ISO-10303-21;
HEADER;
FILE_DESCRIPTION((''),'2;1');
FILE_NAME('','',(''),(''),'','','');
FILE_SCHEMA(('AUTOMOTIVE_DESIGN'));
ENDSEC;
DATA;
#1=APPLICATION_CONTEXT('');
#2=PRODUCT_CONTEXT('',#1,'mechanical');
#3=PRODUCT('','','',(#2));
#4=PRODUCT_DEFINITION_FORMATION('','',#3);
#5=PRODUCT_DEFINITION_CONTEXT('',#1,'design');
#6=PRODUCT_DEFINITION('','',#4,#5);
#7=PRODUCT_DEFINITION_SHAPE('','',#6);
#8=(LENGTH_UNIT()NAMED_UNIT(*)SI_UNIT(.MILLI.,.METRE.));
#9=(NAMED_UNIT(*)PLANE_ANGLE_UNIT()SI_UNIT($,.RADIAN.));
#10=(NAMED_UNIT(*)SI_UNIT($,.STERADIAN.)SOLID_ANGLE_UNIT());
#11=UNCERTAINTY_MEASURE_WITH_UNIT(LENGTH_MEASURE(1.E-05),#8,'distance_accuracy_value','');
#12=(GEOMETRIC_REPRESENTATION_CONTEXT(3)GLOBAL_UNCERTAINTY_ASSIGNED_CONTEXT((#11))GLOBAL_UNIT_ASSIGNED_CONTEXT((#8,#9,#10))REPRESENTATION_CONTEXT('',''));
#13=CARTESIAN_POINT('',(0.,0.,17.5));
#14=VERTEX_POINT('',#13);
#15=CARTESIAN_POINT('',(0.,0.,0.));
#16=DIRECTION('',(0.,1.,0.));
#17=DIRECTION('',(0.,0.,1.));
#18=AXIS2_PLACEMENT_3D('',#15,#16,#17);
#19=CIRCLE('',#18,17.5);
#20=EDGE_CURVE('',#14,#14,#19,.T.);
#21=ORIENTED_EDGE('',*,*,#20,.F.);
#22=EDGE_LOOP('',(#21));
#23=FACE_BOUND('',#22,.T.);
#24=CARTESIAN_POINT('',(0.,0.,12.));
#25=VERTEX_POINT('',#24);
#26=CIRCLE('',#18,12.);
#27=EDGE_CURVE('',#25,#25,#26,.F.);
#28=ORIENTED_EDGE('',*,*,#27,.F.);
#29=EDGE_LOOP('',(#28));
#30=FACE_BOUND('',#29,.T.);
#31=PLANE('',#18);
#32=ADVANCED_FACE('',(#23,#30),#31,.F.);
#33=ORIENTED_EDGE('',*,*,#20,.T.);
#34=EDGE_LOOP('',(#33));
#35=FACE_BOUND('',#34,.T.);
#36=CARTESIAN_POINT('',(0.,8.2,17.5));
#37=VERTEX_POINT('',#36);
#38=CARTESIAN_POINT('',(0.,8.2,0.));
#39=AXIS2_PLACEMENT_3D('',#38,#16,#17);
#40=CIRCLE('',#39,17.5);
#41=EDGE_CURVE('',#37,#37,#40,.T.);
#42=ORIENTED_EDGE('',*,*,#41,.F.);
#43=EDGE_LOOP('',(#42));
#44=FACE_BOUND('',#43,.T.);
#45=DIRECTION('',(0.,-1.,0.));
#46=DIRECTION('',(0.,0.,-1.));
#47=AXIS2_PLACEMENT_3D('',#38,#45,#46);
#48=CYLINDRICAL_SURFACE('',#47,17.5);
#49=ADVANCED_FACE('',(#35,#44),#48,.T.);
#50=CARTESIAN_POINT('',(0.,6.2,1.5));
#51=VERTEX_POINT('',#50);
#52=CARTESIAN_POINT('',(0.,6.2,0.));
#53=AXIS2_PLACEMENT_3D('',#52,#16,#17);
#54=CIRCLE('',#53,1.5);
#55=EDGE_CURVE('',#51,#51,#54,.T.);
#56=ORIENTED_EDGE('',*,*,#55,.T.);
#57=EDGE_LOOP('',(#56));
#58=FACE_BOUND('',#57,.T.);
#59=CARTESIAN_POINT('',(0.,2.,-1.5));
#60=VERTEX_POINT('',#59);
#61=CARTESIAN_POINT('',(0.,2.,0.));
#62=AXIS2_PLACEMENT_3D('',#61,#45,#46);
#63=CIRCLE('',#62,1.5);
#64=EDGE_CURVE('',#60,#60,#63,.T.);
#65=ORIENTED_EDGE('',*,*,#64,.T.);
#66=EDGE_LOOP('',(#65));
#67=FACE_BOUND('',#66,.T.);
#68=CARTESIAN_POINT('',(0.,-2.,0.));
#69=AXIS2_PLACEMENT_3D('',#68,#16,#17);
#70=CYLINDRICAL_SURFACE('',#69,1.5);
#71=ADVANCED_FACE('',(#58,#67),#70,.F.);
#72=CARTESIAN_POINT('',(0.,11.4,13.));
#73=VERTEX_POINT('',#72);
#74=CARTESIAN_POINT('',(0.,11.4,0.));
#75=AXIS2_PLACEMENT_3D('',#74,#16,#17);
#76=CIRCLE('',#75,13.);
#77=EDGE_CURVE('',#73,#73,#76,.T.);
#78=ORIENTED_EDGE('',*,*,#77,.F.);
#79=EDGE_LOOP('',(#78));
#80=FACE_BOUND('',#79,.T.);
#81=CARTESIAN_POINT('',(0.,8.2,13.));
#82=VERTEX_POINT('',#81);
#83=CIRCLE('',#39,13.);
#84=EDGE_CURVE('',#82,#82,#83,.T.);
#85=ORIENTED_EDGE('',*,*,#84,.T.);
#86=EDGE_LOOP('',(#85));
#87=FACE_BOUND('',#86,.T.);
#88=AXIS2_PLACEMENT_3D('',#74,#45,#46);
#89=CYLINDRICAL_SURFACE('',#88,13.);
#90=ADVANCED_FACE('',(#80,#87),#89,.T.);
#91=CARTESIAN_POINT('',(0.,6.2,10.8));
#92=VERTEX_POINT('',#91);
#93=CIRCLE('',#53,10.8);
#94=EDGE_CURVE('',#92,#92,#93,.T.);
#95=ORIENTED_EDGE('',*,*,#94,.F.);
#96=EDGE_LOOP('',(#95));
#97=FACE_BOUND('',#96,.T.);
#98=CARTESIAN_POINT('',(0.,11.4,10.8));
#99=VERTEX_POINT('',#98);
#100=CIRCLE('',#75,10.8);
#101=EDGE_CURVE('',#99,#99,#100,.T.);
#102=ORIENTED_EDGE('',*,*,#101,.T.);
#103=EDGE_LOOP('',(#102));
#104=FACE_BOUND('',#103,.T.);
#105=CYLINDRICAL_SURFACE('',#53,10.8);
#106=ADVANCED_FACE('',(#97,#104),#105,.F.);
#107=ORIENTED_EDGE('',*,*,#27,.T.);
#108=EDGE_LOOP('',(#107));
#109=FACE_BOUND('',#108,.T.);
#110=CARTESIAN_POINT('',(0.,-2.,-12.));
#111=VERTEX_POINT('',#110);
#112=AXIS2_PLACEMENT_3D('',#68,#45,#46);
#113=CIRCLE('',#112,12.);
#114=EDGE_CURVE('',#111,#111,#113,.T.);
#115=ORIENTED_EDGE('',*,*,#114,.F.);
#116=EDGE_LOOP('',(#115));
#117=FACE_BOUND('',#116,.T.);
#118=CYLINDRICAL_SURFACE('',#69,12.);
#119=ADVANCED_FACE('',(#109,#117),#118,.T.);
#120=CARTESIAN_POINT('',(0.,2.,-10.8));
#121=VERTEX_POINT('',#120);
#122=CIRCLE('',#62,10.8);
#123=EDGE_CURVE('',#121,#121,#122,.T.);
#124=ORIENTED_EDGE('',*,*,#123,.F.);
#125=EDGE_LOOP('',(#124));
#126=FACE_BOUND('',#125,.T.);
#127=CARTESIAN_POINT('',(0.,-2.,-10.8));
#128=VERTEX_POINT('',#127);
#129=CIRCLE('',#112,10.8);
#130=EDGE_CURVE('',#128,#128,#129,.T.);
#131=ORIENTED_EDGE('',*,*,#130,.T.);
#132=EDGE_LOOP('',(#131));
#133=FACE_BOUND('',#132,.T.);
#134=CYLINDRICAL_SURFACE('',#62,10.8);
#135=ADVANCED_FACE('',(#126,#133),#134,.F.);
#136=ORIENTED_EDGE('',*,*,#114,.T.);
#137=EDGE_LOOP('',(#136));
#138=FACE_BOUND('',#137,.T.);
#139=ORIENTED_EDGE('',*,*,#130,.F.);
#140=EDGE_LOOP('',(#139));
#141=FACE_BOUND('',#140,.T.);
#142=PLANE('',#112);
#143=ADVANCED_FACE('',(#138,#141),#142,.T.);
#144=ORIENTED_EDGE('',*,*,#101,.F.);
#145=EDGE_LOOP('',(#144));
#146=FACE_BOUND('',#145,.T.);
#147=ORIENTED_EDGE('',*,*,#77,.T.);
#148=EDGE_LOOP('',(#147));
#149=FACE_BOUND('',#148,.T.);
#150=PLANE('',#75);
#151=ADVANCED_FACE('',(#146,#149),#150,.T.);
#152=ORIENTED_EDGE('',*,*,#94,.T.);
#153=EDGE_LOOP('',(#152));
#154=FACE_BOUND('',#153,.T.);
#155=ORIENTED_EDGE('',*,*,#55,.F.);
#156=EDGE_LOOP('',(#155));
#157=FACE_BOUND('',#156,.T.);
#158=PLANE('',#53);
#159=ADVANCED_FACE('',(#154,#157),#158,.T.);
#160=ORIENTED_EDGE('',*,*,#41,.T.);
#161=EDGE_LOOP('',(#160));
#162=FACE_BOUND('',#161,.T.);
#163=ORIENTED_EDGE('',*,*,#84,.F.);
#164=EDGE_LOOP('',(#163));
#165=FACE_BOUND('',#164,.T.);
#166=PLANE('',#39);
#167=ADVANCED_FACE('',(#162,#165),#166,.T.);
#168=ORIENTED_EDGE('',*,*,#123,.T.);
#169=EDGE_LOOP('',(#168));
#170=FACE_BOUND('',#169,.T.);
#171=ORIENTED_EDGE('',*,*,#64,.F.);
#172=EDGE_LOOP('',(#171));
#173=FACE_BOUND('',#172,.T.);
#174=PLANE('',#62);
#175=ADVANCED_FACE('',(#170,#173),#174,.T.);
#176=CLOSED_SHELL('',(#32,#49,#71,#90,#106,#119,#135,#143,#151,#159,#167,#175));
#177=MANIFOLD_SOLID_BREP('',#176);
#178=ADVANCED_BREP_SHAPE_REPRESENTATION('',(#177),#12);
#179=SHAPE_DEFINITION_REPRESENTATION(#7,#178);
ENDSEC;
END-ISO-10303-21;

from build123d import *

# Parameters (mm, degrees)
SKETCH1_R           = 17.5
BOSS_EXTRUDE1_DEPTH = 8.2
SKETCH6_R           = 12
BOSS_EXTRUDE4_DEPTH = 2
SKETCH3_R           = 13
BOSS_EXTRUDE5_DEPTH = 3.2
SKETCH7_R           = 10.8
CUT_EXTRUDE3_DEPTH  = 4
CUT_EXTRUDE4_START  = -5.2
SKETCH8_R           = 10.8
CUT_EXTRUDE4_DEPTH  = 5.2
SKETCH9_R           = 1.5
CUT_EXTRUDE5_DEPTH  = 27.071823872


with BuildPart() as part:
    # Sketch1 → Boss-Extrude1 (new body)
    with BuildSketch(Plane(origin=(0, 0, 0), x_dir=(1, 0, 0), z_dir=(0, 1, 0))):
        with Locations(Location((0, 0, 0), (0, 0, 270))):
            Circle(SKETCH1_R)
    extrude(amount=BOSS_EXTRUDE1_DEPTH)

    # Sketch6 → Boss-Extrude4 (add)
    with BuildSketch(Plane.XZ):
        with Locations(Location((0, 0, 0), (0, 0, 90))):
            Circle(SKETCH6_R)
    extrude(amount=BOSS_EXTRUDE4_DEPTH)

    # Sketch3 → Boss-Extrude5 (add)
    with BuildSketch(Plane(origin=(0, 8.2, 0), x_dir=(1, 0, 0), z_dir=(0, 1, 0))):
        with Locations(Location((0, 0, 0), (0, 0, 270))):
            Circle(SKETCH3_R)
    extrude(amount=BOSS_EXTRUDE5_DEPTH)

    # Sketch7 → Cut-Extrude3 (cut)
    with BuildSketch(Plane.XZ.offset(2)):
        with Locations(Location((0, 0, 0), (0, 0, 270))):
            Circle(SKETCH7_R)
    extrude(amount=-CUT_EXTRUDE3_DEPTH, mode=Mode.SUBTRACT)

    # Sketch8 → Cut-Extrude4 (cut)
    with BuildSketch(Plane(origin=(0, 11.4, 0), x_dir=(1, 0, 0), z_dir=(0, 1, 0)).offset(CUT_EXTRUDE4_START)):
        with Locations(Location((0, 0, 0), (0, 0, 90))):
            Circle(SKETCH8_R)
    extrude(amount=CUT_EXTRUDE4_DEPTH, mode=Mode.SUBTRACT)

    # Sketch9 → Cut-Extrude5 (cut, through all)
    with BuildSketch(Plane(origin=(0, 6.2, 0), x_dir=(1, 0, 0), z_dir=(0, 1, 0))):
        with Locations(Location((0, 0, 0), (0, 0, 270))):
            Circle(SKETCH9_R)
    extrude(amount=-CUT_EXTRUDE5_DEPTH, mode=Mode.SUBTRACT)


solid = part.part
